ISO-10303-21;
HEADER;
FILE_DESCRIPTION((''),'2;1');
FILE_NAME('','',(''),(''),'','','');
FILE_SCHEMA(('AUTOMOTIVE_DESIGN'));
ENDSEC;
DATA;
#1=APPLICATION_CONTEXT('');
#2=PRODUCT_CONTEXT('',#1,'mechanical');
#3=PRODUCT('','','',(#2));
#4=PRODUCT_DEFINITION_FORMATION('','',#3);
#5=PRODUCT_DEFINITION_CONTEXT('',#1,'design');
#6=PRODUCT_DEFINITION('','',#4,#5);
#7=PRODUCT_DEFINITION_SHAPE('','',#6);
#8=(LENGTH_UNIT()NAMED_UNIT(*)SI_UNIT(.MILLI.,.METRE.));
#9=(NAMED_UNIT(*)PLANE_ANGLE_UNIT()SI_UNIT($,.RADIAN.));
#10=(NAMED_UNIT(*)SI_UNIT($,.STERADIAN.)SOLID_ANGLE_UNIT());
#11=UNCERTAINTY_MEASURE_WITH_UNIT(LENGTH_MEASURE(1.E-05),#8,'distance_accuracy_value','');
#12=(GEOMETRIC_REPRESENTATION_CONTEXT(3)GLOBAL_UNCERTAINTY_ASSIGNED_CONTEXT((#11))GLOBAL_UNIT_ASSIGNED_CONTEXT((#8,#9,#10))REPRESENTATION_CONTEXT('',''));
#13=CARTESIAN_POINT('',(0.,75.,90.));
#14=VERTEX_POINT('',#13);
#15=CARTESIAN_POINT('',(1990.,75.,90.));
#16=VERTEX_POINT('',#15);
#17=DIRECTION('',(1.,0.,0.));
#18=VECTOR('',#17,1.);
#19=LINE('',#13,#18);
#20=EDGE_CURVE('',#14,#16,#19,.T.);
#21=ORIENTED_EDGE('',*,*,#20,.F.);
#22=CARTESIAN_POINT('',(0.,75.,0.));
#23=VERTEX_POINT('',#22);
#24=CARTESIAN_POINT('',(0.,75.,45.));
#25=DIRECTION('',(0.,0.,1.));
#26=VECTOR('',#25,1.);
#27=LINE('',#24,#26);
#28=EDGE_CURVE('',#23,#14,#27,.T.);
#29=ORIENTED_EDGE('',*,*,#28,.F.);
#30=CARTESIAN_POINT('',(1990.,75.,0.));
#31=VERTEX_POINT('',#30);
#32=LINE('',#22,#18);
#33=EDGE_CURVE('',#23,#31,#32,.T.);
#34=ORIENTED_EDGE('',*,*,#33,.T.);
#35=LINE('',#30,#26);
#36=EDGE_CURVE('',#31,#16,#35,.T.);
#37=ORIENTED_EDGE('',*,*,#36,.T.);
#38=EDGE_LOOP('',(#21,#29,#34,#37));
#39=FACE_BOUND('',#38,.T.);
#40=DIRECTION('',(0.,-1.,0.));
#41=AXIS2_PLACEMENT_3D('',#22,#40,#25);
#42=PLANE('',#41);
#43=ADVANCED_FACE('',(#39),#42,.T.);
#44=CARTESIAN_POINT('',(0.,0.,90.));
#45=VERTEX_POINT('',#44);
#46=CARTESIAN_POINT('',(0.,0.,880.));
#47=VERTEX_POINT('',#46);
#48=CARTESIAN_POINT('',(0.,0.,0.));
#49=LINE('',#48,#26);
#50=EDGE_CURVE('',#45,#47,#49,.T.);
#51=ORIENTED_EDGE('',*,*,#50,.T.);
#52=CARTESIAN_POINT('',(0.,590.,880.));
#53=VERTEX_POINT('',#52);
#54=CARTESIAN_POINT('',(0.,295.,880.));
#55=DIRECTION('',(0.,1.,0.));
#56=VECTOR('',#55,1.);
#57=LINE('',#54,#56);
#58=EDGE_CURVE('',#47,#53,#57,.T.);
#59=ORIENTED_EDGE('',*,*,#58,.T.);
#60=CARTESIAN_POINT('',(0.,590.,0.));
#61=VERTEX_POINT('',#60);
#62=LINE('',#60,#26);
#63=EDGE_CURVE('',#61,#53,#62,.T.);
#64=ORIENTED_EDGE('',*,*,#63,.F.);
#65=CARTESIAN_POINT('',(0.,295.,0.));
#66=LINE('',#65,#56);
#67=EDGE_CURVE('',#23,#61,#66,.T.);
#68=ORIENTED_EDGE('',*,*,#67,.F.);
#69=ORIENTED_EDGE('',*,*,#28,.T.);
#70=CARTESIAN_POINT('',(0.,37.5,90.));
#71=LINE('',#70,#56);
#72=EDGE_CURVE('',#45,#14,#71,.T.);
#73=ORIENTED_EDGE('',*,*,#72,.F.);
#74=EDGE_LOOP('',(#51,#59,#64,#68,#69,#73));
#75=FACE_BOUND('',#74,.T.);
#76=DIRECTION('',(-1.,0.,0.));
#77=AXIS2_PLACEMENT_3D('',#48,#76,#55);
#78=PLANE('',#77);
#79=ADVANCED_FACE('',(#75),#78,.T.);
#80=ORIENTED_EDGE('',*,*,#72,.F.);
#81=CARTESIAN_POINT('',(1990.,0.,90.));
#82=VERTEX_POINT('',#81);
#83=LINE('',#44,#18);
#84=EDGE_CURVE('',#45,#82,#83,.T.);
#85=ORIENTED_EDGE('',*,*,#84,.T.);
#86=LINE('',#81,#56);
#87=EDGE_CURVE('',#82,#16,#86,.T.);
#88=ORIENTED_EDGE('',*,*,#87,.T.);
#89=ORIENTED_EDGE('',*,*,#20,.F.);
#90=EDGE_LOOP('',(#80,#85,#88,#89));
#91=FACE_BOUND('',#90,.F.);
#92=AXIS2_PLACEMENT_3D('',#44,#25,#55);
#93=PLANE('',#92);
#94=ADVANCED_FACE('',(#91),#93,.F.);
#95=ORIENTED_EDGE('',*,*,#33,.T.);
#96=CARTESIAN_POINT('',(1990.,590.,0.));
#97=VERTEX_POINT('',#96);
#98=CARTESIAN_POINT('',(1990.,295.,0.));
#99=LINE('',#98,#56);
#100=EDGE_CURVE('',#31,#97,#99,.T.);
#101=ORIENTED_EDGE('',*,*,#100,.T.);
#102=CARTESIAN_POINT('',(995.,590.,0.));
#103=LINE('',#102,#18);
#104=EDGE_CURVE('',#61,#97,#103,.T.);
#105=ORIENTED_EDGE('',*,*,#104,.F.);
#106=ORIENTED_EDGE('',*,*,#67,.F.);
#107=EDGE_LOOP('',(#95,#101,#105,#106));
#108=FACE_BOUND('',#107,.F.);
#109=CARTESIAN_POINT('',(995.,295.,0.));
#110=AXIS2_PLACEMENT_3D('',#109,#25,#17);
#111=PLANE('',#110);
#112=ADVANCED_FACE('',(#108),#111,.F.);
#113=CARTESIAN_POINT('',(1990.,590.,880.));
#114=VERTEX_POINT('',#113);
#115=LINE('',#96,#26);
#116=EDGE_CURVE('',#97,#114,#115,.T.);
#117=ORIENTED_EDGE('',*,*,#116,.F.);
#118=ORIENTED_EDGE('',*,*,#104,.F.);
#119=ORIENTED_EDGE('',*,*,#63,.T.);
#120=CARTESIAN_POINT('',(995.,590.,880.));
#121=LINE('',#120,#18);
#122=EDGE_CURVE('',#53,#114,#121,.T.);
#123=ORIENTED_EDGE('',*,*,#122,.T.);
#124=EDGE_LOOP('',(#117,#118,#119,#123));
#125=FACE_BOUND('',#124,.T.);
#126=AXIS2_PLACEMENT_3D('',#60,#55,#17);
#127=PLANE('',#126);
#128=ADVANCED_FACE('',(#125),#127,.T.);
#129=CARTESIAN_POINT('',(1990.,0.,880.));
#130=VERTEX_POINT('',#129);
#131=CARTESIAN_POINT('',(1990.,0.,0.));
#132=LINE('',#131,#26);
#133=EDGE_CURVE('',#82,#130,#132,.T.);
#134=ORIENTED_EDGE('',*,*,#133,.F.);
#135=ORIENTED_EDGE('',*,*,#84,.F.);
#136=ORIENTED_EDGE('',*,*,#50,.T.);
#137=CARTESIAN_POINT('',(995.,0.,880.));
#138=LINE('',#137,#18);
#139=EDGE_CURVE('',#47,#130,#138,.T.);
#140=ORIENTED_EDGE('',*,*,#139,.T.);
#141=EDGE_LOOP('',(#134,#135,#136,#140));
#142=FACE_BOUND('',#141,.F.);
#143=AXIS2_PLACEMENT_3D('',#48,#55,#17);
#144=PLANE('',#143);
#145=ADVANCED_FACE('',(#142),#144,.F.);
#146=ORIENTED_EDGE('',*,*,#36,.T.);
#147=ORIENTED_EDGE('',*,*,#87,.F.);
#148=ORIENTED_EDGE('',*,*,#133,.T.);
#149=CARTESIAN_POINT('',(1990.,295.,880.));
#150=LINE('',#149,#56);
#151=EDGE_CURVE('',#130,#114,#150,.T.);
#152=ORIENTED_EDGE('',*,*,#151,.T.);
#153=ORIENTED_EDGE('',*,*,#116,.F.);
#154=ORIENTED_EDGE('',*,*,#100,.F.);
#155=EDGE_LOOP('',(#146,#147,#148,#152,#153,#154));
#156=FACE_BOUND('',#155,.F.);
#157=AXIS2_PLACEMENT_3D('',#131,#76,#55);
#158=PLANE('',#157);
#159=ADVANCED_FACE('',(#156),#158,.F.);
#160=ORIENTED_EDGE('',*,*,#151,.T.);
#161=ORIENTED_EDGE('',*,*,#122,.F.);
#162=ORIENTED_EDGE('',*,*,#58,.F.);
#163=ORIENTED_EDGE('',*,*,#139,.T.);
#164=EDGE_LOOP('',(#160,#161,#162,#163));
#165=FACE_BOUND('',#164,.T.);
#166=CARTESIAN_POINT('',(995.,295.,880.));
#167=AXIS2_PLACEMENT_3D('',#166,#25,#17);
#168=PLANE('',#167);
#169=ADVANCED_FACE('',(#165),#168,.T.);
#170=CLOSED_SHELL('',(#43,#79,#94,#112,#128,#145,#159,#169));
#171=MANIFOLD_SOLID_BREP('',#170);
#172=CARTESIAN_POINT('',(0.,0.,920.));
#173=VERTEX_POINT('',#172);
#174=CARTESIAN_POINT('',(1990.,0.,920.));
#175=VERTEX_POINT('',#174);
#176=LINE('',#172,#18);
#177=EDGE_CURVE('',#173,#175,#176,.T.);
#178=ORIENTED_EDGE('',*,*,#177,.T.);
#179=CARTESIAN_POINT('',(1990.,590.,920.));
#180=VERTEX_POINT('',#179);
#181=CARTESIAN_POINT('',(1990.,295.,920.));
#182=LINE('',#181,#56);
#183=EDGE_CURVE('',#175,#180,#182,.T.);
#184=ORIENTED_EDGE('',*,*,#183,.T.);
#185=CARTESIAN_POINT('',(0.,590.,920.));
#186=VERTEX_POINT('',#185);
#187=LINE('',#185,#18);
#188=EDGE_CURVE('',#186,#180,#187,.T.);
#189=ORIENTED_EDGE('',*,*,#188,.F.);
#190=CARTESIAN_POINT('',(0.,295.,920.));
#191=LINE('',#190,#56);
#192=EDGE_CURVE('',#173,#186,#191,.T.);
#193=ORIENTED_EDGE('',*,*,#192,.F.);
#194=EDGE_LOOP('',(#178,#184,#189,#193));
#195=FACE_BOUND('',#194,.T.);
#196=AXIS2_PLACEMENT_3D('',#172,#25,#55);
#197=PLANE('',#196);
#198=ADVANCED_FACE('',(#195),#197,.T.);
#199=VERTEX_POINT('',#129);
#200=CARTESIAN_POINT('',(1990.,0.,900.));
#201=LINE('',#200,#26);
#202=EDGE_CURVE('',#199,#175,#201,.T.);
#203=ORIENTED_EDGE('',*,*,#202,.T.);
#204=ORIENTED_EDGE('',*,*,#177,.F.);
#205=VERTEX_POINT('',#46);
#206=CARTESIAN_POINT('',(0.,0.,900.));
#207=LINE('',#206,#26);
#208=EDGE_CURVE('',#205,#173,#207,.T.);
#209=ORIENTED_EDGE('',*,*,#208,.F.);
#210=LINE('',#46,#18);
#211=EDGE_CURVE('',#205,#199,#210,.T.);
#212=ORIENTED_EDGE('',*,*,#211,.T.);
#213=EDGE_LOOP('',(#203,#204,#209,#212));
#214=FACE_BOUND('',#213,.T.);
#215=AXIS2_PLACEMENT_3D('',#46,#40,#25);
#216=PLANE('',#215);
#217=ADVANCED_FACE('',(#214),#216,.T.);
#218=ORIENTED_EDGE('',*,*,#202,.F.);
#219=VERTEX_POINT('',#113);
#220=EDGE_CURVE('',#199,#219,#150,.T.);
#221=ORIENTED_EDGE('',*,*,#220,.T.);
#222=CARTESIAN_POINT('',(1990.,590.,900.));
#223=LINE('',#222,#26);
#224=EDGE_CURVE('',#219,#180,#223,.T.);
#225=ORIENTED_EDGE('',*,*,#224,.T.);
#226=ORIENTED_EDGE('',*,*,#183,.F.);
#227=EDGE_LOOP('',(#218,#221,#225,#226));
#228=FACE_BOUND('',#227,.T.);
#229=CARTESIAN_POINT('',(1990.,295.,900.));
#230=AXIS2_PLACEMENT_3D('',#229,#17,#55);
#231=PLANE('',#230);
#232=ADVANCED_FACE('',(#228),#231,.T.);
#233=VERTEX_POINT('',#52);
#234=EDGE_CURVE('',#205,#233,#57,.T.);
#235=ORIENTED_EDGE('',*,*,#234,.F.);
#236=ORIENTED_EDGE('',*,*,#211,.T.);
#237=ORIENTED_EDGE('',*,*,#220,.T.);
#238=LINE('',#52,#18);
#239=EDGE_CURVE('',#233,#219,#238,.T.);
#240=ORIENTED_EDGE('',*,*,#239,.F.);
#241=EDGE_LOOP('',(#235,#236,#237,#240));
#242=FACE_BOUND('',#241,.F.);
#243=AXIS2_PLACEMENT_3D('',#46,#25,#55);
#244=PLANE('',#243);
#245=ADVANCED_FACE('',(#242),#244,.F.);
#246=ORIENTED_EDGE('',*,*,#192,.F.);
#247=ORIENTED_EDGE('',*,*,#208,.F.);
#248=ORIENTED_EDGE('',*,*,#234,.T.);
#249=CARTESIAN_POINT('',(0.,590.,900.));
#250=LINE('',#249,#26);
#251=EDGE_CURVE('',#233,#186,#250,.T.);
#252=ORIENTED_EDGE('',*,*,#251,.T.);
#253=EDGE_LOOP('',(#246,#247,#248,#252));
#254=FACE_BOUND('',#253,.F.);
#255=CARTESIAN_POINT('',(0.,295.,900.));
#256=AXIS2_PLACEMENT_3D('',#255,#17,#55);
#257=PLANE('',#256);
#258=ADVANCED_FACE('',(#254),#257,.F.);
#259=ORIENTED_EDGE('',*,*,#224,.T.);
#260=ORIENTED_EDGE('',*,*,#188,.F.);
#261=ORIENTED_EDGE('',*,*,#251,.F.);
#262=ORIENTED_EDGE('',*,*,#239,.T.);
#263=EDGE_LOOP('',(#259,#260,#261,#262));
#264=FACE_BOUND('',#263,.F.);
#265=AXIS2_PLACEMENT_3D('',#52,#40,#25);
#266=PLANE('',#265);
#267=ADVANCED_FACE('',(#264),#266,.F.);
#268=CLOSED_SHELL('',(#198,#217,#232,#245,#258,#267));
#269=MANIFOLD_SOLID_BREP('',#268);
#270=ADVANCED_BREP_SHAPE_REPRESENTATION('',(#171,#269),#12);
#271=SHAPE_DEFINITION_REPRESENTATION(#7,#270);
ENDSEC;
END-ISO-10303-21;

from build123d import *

# Parameters (mm, degrees)
F0_W     = 1990
F0_H     = 590
F1_DEPTH = 880
F2_W     = 75
F2_H     = 90
F3_DEPTH = 1990.001
F4_W     = 590
F4_H     = 40
F5_DEPTH = 1990


with BuildPart() as f1:
    # F0 (on Top) → F1 (new body)
    with BuildSketch(Plane.XY):
        with Locations((995, 295)):
            Rectangle(F0_W, F0_H)
    extrude(amount=F1_DEPTH)

    # F2 (on Right) → F3 (cut, through all)
    with BuildSketch(Plane.YZ):
        with Locations((37.5, 45)):
            Rectangle(F2_W, F2_H)
    extrude(amount=F3_DEPTH, mode=Mode.SUBTRACT)


with BuildPart() as f5:
    # F4 (on Right) → F5 (new body, through all)
    with BuildSketch(Plane.YZ):
        with Locations((295, 900)):
            Rectangle(F4_W, F4_H)
    extrude(amount=F5_DEPTH)


solid = Compound([f1.part, f5.part])
